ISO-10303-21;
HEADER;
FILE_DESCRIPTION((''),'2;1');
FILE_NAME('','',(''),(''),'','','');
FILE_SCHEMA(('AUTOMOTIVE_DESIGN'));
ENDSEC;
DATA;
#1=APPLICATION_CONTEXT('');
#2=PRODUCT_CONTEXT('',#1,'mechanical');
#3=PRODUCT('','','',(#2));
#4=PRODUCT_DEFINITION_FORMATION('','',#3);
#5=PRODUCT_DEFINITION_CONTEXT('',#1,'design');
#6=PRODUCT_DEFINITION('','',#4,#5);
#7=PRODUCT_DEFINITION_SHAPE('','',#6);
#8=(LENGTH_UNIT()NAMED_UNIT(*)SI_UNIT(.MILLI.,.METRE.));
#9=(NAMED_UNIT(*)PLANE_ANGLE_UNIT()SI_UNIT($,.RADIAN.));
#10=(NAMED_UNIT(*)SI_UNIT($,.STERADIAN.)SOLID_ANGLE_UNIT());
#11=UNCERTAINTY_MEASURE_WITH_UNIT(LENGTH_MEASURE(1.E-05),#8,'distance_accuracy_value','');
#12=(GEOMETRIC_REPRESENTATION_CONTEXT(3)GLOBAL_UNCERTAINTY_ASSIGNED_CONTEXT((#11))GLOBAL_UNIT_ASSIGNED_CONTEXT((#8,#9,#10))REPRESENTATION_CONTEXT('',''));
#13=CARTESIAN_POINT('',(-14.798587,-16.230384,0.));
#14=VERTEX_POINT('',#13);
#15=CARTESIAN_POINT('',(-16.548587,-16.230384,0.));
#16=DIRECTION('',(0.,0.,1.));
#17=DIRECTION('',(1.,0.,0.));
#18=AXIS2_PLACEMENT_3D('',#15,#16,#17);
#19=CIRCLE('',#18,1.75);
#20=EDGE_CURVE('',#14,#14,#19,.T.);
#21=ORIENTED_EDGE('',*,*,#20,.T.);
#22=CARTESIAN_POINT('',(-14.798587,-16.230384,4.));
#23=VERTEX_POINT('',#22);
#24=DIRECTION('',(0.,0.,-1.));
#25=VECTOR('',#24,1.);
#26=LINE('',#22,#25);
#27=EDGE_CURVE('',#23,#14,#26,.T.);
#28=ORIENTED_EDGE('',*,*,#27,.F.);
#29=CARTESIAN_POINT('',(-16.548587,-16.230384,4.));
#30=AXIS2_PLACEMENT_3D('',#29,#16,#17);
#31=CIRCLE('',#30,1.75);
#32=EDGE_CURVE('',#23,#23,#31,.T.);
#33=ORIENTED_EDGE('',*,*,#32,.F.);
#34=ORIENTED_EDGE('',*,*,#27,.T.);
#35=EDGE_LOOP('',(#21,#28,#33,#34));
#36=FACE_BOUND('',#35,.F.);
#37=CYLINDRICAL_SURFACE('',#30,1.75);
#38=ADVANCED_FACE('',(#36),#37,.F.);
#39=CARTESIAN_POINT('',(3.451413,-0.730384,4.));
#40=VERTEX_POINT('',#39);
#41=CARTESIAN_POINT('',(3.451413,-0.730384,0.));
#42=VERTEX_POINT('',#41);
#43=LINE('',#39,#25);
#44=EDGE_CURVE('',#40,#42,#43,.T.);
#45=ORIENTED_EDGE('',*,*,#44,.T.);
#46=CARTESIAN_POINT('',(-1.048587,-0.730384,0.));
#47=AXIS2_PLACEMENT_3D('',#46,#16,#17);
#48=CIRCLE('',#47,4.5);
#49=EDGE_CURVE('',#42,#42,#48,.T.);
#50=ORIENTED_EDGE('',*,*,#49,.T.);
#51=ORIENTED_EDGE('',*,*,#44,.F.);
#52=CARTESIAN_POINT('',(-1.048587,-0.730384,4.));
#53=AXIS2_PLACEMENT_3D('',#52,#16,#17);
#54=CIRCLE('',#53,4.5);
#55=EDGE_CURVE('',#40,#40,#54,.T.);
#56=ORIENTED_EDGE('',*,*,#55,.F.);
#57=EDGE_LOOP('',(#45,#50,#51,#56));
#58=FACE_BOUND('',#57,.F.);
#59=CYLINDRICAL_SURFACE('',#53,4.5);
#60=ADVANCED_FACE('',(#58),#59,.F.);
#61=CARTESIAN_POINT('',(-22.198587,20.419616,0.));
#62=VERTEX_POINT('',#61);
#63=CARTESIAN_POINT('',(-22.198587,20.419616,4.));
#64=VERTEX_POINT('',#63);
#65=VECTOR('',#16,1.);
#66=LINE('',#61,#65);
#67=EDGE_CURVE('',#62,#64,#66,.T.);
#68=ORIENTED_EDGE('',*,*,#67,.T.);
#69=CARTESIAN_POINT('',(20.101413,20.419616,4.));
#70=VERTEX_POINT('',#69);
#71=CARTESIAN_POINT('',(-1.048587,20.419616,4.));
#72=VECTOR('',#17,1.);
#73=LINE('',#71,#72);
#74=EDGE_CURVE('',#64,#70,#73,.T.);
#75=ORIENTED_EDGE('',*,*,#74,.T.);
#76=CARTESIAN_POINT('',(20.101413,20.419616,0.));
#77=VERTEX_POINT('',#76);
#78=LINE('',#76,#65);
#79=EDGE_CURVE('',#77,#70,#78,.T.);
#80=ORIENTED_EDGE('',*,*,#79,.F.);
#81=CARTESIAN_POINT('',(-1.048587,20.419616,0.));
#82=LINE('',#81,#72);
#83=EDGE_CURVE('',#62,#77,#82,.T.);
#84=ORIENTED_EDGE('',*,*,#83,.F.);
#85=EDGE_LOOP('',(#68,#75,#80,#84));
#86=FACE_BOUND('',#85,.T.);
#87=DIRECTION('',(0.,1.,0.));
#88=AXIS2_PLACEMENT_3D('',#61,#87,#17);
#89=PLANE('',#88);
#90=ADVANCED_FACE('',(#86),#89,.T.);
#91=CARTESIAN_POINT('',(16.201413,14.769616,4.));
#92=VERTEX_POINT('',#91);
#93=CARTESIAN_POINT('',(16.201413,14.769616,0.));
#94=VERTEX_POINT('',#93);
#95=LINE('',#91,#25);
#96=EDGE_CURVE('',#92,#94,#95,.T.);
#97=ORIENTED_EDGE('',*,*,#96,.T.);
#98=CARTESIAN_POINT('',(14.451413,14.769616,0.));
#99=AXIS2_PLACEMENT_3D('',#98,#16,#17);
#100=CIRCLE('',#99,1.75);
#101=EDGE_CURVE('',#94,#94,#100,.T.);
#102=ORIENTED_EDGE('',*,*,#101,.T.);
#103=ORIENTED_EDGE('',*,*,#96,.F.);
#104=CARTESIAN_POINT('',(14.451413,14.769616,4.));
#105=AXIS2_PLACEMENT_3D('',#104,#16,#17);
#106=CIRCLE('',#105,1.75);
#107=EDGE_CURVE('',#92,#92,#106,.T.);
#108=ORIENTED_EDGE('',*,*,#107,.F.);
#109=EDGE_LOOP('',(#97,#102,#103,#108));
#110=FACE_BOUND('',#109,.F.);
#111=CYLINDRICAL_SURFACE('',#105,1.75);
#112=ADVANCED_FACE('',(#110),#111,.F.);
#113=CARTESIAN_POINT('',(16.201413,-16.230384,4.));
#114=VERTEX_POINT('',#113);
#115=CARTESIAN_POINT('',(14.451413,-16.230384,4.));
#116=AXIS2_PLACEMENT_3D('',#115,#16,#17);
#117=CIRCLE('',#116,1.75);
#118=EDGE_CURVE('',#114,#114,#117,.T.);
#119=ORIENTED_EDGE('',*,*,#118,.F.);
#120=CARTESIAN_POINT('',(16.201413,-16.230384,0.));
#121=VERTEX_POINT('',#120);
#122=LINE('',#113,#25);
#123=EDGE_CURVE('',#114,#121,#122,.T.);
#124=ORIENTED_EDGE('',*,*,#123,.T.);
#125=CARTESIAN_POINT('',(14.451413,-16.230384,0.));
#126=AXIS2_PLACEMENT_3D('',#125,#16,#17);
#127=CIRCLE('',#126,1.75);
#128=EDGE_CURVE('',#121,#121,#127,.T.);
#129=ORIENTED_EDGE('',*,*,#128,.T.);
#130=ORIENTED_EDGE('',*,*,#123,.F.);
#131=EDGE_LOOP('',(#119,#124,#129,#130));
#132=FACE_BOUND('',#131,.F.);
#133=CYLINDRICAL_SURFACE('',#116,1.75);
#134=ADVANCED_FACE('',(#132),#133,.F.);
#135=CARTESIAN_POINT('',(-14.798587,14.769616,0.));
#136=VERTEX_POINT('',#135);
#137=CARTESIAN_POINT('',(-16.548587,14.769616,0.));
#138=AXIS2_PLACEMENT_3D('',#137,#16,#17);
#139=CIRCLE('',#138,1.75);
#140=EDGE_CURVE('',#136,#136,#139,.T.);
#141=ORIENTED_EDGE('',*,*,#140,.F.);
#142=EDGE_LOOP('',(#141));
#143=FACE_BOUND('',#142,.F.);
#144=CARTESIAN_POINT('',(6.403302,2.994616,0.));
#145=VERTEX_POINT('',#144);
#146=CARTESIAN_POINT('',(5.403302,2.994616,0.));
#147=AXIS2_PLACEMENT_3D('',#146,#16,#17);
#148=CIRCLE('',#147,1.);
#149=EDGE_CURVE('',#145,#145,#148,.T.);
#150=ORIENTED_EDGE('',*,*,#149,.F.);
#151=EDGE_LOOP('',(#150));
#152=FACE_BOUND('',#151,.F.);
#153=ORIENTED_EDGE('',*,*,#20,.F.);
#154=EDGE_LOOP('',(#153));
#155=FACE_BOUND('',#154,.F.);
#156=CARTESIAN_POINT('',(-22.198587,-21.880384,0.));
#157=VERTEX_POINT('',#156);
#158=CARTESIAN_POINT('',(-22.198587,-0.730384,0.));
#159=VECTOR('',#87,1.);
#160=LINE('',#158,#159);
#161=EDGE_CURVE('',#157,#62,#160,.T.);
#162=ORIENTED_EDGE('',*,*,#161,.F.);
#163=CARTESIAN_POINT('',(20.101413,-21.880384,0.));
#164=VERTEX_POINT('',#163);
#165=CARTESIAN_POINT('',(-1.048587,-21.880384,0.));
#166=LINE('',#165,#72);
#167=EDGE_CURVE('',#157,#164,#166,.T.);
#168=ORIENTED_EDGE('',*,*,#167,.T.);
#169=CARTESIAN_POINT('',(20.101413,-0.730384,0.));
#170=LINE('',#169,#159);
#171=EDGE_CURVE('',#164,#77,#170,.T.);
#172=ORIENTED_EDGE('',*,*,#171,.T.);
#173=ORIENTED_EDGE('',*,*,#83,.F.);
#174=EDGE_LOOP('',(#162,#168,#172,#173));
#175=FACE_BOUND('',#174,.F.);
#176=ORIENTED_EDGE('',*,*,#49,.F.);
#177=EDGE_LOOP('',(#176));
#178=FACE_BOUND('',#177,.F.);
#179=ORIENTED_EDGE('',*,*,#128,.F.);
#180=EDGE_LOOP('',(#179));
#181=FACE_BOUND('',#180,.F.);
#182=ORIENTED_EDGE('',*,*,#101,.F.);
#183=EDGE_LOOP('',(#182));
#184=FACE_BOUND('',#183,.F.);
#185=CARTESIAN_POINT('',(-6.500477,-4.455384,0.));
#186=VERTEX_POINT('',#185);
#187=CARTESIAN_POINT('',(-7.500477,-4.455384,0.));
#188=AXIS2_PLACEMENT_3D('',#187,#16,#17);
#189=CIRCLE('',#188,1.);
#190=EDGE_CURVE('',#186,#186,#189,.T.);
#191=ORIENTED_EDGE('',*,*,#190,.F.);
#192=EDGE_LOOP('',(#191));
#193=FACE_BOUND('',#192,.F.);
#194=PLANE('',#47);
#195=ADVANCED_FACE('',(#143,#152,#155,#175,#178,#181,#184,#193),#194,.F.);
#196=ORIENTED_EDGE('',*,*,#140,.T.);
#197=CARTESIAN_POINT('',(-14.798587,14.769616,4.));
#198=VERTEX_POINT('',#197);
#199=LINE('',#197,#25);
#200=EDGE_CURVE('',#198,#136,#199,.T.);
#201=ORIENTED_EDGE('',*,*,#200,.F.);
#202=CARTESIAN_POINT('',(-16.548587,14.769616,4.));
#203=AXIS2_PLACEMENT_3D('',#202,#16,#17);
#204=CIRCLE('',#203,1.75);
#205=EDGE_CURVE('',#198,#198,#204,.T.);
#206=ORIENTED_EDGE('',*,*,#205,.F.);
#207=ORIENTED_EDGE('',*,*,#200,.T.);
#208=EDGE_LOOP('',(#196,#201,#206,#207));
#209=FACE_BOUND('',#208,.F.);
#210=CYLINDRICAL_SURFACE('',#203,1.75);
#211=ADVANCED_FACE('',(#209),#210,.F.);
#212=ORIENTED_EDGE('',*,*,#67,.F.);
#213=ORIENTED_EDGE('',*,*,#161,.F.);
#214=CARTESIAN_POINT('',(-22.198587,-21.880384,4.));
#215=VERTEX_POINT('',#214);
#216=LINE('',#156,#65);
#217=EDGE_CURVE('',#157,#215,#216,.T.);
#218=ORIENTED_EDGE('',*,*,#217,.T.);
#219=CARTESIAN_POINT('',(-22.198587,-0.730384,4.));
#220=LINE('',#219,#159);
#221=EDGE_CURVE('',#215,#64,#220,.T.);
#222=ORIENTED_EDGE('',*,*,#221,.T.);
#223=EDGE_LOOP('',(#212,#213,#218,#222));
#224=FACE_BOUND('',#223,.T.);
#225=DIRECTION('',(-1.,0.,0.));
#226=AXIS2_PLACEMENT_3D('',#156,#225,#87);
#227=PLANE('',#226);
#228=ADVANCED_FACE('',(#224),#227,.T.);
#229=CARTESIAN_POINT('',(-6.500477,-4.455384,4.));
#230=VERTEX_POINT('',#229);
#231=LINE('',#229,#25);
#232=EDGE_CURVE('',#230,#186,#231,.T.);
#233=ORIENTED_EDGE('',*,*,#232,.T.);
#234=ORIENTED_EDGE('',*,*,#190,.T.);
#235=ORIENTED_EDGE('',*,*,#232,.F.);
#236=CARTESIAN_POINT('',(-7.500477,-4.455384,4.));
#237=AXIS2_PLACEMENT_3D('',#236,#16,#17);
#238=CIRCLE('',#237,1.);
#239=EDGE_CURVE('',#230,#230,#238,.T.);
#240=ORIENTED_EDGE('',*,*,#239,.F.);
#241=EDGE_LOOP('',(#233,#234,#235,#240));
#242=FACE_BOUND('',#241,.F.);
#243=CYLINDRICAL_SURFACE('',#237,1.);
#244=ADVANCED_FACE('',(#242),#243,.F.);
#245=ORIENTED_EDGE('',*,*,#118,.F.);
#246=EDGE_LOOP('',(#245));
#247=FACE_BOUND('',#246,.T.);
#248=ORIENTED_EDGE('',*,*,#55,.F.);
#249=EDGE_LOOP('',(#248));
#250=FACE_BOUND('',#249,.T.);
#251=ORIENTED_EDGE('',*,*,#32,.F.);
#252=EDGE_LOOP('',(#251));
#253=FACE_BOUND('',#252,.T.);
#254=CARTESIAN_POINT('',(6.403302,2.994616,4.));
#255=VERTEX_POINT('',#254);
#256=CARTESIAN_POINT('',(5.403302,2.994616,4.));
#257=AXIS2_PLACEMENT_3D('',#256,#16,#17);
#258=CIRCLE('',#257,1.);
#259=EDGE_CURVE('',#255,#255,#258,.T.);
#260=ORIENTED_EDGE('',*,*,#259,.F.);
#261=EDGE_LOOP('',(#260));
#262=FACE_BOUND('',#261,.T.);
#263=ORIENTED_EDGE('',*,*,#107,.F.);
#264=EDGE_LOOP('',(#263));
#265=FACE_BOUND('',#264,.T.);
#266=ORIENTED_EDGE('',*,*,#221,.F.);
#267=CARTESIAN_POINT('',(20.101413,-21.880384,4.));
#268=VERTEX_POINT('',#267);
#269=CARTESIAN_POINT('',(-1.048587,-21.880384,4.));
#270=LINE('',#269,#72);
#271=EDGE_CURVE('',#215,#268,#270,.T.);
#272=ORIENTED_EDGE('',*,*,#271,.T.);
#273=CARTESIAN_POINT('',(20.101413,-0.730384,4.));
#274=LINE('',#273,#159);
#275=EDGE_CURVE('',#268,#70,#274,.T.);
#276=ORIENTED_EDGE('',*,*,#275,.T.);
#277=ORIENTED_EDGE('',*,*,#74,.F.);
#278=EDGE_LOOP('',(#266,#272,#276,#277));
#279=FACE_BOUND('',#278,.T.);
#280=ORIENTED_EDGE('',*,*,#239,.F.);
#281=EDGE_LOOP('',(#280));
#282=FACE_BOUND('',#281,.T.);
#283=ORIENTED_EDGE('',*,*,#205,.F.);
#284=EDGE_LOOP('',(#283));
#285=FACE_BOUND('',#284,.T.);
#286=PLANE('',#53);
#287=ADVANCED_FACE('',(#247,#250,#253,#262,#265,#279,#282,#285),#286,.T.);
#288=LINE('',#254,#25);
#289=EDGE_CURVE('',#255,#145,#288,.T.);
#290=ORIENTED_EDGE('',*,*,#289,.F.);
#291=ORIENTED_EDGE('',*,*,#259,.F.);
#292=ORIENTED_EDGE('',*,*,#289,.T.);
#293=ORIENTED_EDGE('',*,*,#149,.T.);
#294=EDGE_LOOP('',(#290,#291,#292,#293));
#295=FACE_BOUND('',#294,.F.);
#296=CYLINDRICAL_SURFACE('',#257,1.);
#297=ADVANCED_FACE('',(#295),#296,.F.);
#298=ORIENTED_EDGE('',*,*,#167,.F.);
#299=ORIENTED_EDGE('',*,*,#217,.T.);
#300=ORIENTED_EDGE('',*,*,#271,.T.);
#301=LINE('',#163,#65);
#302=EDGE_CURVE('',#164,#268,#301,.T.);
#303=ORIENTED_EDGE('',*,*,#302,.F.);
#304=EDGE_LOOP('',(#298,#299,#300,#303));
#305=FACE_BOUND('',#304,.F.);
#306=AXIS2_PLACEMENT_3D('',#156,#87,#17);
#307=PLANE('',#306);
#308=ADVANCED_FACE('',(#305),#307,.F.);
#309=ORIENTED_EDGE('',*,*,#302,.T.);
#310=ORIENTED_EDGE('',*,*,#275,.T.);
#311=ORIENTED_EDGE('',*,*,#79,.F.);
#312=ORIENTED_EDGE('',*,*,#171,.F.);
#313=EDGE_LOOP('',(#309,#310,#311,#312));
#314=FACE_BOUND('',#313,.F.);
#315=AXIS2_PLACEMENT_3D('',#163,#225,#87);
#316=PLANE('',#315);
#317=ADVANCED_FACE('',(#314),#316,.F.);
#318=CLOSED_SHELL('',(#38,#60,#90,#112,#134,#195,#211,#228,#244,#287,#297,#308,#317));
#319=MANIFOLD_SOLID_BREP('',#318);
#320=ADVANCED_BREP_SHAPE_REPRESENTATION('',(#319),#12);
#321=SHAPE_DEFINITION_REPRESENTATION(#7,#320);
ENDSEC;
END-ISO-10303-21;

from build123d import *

# Parameters (mm, degrees)
F0_W     = 42.3
F0_H     = 42.3
F1_DEPTH = 4
F2_R     = 1.75
F2_R_2   = 4.5
F2_R_3   = 1
F3_DEPTH = 25


with BuildPart() as f1:
    # F0 (on Top) → F1 (new body)
    with BuildSketch(Plane.XY):
        with Locations((-1.048587, -0.730384)):
            Rectangle(F0_W, F0_H)
    extrude(amount=F1_DEPTH)

    # F2 (on face) → F3 (cut)
    with BuildSketch(Plane.XY.offset(4)):
        with Locations((-16.548587, -16.230384)):
            Circle(F2_R)
        with Locations((14.451413, -16.230384)):
            Circle(F2_R)
        with Locations((14.451413, 14.769616)):
            Circle(F2_R)
        with Locations((-16.548587, 14.769616)):
            Circle(F2_R)
        with Locations((-1.048587, -0.730384)):
            Circle(F2_R_2)
        with Locations((-7.500477, -4.455384)):
            Circle(F2_R_3)
        with Locations((5.403302, 2.994616)):
            Circle(F2_R_3)
    extrude(amount=-F3_DEPTH, mode=Mode.SUBTRACT)


solid = f1.part
